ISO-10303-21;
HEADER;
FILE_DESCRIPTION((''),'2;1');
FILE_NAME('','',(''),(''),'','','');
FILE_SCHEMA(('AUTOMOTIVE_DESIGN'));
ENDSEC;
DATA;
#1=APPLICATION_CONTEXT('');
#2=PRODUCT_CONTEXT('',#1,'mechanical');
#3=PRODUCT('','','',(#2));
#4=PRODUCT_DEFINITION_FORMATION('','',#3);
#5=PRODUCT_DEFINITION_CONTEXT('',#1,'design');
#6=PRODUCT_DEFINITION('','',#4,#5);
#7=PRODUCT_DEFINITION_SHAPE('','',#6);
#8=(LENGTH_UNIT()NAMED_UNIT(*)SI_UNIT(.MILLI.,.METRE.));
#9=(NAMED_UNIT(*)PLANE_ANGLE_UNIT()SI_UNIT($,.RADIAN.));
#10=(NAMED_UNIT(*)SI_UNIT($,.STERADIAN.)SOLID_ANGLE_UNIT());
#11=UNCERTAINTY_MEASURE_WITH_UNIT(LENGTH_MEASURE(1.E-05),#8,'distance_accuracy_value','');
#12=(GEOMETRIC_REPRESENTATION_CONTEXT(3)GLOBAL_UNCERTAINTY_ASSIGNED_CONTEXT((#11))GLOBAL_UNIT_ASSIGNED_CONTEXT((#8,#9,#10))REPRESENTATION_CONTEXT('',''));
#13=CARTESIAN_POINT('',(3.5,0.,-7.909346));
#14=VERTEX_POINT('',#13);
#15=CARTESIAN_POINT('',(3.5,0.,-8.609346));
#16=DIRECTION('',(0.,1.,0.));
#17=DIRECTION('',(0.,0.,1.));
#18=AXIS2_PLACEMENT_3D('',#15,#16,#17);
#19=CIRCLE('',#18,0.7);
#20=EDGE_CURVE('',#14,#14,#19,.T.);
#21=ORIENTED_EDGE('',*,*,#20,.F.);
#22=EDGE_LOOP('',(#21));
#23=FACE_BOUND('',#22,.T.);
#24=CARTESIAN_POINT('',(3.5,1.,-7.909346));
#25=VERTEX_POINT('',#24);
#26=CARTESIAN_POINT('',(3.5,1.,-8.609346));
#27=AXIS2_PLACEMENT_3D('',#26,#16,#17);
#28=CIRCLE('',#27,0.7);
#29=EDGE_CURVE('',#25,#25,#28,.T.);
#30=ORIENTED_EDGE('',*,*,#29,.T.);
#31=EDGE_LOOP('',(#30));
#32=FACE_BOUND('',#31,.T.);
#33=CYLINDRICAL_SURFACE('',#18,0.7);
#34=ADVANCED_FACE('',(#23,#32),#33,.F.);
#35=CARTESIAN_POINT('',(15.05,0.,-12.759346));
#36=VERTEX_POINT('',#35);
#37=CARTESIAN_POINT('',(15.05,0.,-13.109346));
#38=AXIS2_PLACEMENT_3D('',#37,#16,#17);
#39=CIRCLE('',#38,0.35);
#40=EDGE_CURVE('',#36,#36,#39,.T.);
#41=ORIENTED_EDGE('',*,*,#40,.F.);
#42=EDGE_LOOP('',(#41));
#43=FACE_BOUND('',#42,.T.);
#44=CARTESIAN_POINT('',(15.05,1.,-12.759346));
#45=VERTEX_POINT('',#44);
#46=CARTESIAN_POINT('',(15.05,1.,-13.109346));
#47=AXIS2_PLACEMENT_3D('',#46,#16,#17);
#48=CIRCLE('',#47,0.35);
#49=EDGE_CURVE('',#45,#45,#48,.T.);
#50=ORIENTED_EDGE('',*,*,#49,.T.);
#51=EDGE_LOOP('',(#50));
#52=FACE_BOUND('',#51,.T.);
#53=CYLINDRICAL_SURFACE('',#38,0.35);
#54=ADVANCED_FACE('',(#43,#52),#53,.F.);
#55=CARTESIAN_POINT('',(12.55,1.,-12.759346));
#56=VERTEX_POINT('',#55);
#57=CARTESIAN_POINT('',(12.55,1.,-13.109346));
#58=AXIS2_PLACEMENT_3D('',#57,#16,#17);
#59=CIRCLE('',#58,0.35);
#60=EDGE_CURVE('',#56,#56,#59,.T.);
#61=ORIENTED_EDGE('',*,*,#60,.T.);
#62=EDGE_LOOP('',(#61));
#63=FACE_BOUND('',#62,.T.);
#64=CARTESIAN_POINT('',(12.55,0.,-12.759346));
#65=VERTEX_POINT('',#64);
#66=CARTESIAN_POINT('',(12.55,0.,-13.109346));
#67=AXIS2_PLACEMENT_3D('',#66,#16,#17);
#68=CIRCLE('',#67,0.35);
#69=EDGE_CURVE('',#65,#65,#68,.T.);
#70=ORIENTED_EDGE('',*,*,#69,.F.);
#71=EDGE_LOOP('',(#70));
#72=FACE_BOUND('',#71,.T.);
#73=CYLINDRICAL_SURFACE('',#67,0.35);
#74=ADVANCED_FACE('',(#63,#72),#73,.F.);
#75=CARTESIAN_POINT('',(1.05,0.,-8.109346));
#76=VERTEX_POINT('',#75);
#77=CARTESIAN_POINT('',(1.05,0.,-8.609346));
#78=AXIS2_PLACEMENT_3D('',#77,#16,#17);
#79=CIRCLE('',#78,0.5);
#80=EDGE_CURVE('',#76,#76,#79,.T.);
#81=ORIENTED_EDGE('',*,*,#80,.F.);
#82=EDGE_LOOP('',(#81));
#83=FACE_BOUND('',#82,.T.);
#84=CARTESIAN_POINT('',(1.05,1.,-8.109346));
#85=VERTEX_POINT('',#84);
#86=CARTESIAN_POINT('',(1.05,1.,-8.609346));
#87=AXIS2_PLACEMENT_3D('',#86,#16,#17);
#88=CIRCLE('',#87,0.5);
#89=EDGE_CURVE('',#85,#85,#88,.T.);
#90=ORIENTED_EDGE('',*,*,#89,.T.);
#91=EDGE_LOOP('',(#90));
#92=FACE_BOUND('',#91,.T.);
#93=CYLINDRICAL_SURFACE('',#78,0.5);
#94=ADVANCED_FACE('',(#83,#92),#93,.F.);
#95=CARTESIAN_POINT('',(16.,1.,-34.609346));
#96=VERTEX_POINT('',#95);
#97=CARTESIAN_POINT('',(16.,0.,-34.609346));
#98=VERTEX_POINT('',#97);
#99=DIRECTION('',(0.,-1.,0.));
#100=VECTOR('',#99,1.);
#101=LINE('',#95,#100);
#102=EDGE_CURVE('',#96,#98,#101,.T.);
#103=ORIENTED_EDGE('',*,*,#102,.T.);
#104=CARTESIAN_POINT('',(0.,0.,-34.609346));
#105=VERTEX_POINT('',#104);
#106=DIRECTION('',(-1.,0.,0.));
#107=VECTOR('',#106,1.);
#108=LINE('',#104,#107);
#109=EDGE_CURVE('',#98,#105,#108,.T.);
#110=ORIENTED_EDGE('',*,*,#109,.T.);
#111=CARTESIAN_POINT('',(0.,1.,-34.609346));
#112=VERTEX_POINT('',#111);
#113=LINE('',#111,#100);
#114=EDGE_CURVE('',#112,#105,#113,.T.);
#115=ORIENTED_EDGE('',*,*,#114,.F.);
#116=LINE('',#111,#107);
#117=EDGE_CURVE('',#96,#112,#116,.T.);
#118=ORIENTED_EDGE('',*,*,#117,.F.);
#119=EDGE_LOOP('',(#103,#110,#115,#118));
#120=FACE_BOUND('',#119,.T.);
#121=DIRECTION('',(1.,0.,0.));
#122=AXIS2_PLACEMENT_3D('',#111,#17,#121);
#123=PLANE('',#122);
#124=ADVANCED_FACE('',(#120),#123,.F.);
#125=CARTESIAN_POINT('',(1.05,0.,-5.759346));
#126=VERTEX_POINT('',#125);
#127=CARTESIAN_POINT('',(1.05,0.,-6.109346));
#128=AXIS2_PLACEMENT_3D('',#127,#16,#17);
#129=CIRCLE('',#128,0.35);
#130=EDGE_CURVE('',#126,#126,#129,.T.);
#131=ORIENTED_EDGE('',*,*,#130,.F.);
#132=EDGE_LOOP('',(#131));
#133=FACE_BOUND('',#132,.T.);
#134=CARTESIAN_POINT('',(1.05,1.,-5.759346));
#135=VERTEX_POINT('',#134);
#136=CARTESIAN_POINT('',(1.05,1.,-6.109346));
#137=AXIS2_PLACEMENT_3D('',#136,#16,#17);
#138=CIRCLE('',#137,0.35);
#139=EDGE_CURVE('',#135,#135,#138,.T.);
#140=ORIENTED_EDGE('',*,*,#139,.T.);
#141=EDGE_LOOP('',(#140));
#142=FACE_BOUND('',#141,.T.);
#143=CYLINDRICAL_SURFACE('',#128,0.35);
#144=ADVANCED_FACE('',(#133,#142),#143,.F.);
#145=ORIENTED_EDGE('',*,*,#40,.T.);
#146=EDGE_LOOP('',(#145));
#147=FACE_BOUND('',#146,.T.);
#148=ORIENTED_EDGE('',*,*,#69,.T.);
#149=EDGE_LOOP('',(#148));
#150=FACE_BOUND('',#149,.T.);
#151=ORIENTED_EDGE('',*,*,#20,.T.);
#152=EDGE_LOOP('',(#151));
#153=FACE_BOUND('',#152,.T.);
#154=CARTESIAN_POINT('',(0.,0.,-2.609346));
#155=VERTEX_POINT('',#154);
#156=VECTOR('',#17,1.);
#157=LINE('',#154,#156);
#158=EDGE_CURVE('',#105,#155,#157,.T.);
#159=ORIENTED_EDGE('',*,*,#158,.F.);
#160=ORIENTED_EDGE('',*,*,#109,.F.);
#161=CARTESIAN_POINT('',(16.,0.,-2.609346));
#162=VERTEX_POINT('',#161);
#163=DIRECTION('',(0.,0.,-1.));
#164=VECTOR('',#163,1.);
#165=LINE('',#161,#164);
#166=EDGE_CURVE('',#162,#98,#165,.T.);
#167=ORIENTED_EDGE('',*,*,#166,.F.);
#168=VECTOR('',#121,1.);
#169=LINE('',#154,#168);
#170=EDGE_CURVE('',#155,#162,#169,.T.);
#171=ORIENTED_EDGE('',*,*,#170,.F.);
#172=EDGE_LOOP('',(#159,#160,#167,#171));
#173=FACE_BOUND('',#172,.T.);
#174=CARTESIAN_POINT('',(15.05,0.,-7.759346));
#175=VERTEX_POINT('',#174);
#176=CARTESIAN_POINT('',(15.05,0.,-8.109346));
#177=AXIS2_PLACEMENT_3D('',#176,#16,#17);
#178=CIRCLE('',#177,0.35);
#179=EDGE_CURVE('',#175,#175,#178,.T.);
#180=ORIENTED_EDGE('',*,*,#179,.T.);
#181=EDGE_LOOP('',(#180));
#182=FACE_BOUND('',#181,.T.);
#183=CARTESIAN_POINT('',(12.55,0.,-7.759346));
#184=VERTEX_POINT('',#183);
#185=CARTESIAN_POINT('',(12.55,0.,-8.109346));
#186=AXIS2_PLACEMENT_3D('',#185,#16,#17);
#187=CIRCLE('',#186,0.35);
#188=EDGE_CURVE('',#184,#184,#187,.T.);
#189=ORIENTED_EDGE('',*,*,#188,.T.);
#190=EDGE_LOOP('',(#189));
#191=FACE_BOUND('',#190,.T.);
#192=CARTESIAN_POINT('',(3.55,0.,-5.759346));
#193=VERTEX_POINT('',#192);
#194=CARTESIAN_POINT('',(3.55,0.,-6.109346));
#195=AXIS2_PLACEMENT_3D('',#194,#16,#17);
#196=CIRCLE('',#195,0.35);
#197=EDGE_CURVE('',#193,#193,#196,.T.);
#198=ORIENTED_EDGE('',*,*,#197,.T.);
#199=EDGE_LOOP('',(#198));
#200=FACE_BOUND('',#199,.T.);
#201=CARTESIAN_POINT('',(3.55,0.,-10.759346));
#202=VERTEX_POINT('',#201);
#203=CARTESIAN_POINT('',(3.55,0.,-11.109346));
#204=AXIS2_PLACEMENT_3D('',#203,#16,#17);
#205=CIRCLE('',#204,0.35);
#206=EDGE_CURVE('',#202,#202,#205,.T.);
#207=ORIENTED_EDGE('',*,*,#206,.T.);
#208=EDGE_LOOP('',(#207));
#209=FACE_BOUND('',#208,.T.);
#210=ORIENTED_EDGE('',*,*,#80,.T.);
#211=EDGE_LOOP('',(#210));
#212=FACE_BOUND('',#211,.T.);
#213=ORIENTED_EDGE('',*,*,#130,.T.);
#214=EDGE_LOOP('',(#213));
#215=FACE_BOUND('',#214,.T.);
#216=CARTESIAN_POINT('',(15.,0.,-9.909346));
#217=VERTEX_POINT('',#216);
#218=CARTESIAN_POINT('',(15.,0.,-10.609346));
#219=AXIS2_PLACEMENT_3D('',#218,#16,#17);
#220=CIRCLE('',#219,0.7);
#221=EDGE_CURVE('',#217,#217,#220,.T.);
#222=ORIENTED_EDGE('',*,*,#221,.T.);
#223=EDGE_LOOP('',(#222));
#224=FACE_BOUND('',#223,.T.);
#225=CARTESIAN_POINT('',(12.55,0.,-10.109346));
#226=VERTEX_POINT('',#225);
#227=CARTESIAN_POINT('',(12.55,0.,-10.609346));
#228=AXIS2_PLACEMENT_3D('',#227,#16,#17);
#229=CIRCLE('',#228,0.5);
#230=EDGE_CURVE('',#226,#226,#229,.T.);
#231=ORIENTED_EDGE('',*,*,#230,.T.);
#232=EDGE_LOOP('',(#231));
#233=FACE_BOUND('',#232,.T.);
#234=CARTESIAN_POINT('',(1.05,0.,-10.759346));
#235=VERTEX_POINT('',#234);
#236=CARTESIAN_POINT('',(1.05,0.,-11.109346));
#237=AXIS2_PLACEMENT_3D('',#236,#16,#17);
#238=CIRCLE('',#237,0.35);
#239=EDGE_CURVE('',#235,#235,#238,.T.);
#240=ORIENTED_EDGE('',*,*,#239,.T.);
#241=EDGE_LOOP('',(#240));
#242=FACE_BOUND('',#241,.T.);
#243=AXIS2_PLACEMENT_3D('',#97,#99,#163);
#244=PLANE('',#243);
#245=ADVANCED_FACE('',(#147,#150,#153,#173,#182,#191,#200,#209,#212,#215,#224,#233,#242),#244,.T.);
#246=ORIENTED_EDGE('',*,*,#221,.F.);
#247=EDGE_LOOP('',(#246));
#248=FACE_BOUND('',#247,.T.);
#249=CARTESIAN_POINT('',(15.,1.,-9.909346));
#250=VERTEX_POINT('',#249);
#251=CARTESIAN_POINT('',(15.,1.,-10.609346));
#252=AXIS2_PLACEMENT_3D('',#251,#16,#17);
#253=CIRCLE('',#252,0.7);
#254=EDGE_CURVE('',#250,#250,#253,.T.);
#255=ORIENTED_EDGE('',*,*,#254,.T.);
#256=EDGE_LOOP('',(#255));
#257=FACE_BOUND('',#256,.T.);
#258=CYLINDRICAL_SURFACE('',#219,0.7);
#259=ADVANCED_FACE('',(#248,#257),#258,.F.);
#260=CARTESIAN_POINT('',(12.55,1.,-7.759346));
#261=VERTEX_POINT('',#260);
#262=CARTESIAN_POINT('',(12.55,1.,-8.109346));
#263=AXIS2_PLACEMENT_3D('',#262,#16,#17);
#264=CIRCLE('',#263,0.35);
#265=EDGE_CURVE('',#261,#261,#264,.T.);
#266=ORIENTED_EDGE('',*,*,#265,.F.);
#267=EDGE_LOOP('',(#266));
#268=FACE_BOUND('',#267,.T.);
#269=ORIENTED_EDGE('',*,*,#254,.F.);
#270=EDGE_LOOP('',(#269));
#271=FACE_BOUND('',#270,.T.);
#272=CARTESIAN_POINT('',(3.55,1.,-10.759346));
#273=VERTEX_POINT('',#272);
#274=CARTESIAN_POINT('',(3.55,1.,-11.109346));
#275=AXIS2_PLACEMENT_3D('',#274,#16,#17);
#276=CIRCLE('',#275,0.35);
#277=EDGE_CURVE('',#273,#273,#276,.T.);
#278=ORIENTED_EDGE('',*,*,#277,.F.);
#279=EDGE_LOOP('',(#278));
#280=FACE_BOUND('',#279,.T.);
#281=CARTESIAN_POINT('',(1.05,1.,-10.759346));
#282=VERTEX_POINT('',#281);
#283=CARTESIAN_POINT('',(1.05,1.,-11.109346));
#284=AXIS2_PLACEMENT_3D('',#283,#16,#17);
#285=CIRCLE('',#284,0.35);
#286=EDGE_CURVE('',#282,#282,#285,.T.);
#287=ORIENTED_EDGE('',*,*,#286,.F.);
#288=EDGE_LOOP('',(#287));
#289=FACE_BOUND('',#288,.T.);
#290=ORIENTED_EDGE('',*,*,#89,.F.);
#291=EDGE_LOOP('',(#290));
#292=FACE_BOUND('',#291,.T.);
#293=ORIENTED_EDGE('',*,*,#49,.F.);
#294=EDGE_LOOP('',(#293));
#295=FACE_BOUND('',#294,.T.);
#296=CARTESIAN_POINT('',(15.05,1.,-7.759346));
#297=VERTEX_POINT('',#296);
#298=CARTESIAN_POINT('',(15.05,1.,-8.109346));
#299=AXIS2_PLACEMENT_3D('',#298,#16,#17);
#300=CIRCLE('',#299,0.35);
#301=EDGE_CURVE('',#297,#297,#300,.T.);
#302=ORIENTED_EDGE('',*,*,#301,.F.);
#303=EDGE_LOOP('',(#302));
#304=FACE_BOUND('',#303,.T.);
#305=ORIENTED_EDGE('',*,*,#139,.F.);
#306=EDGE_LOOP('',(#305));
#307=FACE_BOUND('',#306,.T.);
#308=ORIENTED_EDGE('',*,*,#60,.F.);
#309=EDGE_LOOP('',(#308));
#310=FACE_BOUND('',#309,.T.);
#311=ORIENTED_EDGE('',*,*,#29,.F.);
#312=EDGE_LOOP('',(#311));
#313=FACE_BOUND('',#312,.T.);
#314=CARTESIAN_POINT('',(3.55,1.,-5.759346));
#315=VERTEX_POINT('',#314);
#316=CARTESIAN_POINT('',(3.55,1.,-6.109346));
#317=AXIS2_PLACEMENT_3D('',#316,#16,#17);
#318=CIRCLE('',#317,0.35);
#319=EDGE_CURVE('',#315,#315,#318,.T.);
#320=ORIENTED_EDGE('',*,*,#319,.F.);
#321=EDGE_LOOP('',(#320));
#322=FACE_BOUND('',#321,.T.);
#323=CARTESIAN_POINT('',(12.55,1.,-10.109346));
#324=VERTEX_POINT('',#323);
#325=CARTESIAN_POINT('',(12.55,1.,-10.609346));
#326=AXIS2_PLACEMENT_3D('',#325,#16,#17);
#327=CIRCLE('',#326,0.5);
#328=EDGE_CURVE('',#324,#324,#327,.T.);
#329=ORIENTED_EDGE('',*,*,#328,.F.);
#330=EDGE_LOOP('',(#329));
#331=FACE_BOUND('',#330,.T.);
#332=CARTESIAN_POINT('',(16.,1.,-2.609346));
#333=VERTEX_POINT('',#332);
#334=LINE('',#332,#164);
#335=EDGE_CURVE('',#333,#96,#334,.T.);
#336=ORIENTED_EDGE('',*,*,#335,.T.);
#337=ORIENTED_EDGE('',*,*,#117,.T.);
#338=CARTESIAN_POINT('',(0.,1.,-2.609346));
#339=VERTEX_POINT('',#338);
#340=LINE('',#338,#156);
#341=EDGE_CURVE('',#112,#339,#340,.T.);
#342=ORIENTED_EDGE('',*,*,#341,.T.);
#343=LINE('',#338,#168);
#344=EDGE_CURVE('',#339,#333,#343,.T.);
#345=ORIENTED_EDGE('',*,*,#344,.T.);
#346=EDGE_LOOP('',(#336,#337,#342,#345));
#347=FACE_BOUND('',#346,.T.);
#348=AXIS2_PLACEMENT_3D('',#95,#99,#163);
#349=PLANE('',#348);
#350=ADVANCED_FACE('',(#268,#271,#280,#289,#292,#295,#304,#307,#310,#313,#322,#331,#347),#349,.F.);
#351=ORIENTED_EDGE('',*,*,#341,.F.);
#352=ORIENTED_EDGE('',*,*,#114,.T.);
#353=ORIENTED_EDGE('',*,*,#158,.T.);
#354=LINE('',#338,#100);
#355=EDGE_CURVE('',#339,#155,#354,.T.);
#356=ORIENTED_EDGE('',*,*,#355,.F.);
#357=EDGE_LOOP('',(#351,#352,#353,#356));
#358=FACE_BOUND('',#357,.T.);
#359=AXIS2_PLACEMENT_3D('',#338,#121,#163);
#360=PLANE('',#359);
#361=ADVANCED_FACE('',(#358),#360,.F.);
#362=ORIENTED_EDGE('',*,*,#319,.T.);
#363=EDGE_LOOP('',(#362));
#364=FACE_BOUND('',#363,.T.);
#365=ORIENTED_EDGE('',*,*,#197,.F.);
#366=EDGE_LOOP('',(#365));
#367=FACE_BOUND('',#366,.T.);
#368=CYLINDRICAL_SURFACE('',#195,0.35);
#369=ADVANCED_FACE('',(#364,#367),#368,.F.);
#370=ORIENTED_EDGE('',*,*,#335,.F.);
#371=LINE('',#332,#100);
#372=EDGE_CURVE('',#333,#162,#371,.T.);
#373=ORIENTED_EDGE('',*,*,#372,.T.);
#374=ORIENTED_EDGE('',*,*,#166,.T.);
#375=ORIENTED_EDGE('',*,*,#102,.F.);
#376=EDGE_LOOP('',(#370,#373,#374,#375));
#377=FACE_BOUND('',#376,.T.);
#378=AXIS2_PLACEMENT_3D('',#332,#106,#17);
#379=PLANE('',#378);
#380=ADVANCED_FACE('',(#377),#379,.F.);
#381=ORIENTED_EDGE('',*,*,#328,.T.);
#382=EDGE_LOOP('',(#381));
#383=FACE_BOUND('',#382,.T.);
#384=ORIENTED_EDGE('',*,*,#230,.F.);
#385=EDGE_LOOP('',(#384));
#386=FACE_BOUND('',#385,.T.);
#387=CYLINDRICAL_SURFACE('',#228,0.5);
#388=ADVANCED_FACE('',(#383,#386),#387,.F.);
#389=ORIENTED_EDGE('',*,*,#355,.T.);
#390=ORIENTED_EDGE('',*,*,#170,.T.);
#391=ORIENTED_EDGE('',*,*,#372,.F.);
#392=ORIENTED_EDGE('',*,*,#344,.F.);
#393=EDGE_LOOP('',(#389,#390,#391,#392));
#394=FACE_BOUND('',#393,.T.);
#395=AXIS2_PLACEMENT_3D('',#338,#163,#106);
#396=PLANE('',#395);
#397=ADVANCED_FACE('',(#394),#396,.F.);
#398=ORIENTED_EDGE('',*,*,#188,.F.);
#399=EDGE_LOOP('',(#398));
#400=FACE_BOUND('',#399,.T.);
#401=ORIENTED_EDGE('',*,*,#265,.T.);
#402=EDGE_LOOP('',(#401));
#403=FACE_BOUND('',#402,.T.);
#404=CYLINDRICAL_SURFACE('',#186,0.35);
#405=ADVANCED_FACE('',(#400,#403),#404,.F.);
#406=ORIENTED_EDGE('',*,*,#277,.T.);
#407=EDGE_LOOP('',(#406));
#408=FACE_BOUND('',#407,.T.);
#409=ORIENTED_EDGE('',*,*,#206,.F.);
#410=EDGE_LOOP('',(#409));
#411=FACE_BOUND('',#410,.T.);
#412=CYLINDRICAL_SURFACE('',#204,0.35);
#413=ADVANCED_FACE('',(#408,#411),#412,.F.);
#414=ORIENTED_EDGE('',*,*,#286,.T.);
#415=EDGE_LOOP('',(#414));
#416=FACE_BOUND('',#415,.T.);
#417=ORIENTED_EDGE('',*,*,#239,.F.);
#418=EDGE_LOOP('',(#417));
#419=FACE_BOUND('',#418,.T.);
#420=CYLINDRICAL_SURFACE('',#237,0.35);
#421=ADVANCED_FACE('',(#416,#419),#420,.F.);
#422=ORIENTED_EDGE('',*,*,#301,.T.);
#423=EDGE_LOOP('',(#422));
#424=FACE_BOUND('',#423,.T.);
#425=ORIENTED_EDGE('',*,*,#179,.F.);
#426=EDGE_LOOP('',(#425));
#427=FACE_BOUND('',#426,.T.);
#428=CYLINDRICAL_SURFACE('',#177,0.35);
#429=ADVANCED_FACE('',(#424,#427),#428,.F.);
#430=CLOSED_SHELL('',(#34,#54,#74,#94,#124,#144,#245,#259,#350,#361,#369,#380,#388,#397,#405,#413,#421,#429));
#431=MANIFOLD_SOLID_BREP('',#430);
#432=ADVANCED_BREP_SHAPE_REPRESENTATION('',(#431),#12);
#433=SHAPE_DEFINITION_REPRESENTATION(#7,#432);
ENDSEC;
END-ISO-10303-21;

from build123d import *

# Parameters (mm, degrees)
SKETCH_1_W          = 16
SKETCH_1_H          = 32
EXTRUDE_1_DEPTH     = 1
SKETCH_2_R          = 0.7
SKETCH_2_R_2        = 0.5
SKETCH_2_R_3        = 0.35
CUT_EXTRUDE_1_DEPTH = 2


with BuildPart() as part:
    # Эскиз1 → Бобышка-Вытянуть1 (new body)
    with BuildSketch(Plane(origin=(0, 0, 0), x_dir=(1, 0, 0), z_dir=(0, 1, 0))):
        with Locations((8, 18.609346151)):
            Rectangle(SKETCH_1_W, SKETCH_1_H)
    extrude(amount=EXTRUDE_1_DEPTH)

    # Эскиз2 → Вырез-Вытянуть1 (cut, through all)
    with BuildSketch(Plane(origin=(0, 1, 0), x_dir=(1, 0, 0), z_dir=(0, 1, 0))):
        with Locations((15, 10.609346151)):
            Circle(SKETCH_2_R)
        with Locations((12.55, 10.609346151)):
            Circle(SKETCH_2_R_2)
        with Locations((3.5, 8.609346151)):
            Circle(SKETCH_2_R)
        with Locations((1.05, 8.609346151)):
            Circle(SKETCH_2_R_2)
        with Locations((12.55, 13.109346151)):
            Circle(SKETCH_2_R_3)
        with Locations((15.05, 13.109346151)):
            Circle(SKETCH_2_R_3)
        with Locations((15.05, 8.109346151)):
            Circle(SKETCH_2_R_3)
        with Locations((12.55, 8.109346151)):
            Circle(SKETCH_2_R_3)
        with Locations((3.55, 11.109346151)):
            Circle(SKETCH_2_R_3)
        with Locations((1.05, 11.109346151)):
            Circle(SKETCH_2_R_3)
        with Locations((1.05, 6.109346151)):
            Circle(SKETCH_2_R_3)
        with Locations((3.55, 6.109346151)):
            Circle(SKETCH_2_R_3)
    extrude(amount=-CUT_EXTRUDE_1_DEPTH, mode=Mode.SUBTRACT)


solid = part.part
